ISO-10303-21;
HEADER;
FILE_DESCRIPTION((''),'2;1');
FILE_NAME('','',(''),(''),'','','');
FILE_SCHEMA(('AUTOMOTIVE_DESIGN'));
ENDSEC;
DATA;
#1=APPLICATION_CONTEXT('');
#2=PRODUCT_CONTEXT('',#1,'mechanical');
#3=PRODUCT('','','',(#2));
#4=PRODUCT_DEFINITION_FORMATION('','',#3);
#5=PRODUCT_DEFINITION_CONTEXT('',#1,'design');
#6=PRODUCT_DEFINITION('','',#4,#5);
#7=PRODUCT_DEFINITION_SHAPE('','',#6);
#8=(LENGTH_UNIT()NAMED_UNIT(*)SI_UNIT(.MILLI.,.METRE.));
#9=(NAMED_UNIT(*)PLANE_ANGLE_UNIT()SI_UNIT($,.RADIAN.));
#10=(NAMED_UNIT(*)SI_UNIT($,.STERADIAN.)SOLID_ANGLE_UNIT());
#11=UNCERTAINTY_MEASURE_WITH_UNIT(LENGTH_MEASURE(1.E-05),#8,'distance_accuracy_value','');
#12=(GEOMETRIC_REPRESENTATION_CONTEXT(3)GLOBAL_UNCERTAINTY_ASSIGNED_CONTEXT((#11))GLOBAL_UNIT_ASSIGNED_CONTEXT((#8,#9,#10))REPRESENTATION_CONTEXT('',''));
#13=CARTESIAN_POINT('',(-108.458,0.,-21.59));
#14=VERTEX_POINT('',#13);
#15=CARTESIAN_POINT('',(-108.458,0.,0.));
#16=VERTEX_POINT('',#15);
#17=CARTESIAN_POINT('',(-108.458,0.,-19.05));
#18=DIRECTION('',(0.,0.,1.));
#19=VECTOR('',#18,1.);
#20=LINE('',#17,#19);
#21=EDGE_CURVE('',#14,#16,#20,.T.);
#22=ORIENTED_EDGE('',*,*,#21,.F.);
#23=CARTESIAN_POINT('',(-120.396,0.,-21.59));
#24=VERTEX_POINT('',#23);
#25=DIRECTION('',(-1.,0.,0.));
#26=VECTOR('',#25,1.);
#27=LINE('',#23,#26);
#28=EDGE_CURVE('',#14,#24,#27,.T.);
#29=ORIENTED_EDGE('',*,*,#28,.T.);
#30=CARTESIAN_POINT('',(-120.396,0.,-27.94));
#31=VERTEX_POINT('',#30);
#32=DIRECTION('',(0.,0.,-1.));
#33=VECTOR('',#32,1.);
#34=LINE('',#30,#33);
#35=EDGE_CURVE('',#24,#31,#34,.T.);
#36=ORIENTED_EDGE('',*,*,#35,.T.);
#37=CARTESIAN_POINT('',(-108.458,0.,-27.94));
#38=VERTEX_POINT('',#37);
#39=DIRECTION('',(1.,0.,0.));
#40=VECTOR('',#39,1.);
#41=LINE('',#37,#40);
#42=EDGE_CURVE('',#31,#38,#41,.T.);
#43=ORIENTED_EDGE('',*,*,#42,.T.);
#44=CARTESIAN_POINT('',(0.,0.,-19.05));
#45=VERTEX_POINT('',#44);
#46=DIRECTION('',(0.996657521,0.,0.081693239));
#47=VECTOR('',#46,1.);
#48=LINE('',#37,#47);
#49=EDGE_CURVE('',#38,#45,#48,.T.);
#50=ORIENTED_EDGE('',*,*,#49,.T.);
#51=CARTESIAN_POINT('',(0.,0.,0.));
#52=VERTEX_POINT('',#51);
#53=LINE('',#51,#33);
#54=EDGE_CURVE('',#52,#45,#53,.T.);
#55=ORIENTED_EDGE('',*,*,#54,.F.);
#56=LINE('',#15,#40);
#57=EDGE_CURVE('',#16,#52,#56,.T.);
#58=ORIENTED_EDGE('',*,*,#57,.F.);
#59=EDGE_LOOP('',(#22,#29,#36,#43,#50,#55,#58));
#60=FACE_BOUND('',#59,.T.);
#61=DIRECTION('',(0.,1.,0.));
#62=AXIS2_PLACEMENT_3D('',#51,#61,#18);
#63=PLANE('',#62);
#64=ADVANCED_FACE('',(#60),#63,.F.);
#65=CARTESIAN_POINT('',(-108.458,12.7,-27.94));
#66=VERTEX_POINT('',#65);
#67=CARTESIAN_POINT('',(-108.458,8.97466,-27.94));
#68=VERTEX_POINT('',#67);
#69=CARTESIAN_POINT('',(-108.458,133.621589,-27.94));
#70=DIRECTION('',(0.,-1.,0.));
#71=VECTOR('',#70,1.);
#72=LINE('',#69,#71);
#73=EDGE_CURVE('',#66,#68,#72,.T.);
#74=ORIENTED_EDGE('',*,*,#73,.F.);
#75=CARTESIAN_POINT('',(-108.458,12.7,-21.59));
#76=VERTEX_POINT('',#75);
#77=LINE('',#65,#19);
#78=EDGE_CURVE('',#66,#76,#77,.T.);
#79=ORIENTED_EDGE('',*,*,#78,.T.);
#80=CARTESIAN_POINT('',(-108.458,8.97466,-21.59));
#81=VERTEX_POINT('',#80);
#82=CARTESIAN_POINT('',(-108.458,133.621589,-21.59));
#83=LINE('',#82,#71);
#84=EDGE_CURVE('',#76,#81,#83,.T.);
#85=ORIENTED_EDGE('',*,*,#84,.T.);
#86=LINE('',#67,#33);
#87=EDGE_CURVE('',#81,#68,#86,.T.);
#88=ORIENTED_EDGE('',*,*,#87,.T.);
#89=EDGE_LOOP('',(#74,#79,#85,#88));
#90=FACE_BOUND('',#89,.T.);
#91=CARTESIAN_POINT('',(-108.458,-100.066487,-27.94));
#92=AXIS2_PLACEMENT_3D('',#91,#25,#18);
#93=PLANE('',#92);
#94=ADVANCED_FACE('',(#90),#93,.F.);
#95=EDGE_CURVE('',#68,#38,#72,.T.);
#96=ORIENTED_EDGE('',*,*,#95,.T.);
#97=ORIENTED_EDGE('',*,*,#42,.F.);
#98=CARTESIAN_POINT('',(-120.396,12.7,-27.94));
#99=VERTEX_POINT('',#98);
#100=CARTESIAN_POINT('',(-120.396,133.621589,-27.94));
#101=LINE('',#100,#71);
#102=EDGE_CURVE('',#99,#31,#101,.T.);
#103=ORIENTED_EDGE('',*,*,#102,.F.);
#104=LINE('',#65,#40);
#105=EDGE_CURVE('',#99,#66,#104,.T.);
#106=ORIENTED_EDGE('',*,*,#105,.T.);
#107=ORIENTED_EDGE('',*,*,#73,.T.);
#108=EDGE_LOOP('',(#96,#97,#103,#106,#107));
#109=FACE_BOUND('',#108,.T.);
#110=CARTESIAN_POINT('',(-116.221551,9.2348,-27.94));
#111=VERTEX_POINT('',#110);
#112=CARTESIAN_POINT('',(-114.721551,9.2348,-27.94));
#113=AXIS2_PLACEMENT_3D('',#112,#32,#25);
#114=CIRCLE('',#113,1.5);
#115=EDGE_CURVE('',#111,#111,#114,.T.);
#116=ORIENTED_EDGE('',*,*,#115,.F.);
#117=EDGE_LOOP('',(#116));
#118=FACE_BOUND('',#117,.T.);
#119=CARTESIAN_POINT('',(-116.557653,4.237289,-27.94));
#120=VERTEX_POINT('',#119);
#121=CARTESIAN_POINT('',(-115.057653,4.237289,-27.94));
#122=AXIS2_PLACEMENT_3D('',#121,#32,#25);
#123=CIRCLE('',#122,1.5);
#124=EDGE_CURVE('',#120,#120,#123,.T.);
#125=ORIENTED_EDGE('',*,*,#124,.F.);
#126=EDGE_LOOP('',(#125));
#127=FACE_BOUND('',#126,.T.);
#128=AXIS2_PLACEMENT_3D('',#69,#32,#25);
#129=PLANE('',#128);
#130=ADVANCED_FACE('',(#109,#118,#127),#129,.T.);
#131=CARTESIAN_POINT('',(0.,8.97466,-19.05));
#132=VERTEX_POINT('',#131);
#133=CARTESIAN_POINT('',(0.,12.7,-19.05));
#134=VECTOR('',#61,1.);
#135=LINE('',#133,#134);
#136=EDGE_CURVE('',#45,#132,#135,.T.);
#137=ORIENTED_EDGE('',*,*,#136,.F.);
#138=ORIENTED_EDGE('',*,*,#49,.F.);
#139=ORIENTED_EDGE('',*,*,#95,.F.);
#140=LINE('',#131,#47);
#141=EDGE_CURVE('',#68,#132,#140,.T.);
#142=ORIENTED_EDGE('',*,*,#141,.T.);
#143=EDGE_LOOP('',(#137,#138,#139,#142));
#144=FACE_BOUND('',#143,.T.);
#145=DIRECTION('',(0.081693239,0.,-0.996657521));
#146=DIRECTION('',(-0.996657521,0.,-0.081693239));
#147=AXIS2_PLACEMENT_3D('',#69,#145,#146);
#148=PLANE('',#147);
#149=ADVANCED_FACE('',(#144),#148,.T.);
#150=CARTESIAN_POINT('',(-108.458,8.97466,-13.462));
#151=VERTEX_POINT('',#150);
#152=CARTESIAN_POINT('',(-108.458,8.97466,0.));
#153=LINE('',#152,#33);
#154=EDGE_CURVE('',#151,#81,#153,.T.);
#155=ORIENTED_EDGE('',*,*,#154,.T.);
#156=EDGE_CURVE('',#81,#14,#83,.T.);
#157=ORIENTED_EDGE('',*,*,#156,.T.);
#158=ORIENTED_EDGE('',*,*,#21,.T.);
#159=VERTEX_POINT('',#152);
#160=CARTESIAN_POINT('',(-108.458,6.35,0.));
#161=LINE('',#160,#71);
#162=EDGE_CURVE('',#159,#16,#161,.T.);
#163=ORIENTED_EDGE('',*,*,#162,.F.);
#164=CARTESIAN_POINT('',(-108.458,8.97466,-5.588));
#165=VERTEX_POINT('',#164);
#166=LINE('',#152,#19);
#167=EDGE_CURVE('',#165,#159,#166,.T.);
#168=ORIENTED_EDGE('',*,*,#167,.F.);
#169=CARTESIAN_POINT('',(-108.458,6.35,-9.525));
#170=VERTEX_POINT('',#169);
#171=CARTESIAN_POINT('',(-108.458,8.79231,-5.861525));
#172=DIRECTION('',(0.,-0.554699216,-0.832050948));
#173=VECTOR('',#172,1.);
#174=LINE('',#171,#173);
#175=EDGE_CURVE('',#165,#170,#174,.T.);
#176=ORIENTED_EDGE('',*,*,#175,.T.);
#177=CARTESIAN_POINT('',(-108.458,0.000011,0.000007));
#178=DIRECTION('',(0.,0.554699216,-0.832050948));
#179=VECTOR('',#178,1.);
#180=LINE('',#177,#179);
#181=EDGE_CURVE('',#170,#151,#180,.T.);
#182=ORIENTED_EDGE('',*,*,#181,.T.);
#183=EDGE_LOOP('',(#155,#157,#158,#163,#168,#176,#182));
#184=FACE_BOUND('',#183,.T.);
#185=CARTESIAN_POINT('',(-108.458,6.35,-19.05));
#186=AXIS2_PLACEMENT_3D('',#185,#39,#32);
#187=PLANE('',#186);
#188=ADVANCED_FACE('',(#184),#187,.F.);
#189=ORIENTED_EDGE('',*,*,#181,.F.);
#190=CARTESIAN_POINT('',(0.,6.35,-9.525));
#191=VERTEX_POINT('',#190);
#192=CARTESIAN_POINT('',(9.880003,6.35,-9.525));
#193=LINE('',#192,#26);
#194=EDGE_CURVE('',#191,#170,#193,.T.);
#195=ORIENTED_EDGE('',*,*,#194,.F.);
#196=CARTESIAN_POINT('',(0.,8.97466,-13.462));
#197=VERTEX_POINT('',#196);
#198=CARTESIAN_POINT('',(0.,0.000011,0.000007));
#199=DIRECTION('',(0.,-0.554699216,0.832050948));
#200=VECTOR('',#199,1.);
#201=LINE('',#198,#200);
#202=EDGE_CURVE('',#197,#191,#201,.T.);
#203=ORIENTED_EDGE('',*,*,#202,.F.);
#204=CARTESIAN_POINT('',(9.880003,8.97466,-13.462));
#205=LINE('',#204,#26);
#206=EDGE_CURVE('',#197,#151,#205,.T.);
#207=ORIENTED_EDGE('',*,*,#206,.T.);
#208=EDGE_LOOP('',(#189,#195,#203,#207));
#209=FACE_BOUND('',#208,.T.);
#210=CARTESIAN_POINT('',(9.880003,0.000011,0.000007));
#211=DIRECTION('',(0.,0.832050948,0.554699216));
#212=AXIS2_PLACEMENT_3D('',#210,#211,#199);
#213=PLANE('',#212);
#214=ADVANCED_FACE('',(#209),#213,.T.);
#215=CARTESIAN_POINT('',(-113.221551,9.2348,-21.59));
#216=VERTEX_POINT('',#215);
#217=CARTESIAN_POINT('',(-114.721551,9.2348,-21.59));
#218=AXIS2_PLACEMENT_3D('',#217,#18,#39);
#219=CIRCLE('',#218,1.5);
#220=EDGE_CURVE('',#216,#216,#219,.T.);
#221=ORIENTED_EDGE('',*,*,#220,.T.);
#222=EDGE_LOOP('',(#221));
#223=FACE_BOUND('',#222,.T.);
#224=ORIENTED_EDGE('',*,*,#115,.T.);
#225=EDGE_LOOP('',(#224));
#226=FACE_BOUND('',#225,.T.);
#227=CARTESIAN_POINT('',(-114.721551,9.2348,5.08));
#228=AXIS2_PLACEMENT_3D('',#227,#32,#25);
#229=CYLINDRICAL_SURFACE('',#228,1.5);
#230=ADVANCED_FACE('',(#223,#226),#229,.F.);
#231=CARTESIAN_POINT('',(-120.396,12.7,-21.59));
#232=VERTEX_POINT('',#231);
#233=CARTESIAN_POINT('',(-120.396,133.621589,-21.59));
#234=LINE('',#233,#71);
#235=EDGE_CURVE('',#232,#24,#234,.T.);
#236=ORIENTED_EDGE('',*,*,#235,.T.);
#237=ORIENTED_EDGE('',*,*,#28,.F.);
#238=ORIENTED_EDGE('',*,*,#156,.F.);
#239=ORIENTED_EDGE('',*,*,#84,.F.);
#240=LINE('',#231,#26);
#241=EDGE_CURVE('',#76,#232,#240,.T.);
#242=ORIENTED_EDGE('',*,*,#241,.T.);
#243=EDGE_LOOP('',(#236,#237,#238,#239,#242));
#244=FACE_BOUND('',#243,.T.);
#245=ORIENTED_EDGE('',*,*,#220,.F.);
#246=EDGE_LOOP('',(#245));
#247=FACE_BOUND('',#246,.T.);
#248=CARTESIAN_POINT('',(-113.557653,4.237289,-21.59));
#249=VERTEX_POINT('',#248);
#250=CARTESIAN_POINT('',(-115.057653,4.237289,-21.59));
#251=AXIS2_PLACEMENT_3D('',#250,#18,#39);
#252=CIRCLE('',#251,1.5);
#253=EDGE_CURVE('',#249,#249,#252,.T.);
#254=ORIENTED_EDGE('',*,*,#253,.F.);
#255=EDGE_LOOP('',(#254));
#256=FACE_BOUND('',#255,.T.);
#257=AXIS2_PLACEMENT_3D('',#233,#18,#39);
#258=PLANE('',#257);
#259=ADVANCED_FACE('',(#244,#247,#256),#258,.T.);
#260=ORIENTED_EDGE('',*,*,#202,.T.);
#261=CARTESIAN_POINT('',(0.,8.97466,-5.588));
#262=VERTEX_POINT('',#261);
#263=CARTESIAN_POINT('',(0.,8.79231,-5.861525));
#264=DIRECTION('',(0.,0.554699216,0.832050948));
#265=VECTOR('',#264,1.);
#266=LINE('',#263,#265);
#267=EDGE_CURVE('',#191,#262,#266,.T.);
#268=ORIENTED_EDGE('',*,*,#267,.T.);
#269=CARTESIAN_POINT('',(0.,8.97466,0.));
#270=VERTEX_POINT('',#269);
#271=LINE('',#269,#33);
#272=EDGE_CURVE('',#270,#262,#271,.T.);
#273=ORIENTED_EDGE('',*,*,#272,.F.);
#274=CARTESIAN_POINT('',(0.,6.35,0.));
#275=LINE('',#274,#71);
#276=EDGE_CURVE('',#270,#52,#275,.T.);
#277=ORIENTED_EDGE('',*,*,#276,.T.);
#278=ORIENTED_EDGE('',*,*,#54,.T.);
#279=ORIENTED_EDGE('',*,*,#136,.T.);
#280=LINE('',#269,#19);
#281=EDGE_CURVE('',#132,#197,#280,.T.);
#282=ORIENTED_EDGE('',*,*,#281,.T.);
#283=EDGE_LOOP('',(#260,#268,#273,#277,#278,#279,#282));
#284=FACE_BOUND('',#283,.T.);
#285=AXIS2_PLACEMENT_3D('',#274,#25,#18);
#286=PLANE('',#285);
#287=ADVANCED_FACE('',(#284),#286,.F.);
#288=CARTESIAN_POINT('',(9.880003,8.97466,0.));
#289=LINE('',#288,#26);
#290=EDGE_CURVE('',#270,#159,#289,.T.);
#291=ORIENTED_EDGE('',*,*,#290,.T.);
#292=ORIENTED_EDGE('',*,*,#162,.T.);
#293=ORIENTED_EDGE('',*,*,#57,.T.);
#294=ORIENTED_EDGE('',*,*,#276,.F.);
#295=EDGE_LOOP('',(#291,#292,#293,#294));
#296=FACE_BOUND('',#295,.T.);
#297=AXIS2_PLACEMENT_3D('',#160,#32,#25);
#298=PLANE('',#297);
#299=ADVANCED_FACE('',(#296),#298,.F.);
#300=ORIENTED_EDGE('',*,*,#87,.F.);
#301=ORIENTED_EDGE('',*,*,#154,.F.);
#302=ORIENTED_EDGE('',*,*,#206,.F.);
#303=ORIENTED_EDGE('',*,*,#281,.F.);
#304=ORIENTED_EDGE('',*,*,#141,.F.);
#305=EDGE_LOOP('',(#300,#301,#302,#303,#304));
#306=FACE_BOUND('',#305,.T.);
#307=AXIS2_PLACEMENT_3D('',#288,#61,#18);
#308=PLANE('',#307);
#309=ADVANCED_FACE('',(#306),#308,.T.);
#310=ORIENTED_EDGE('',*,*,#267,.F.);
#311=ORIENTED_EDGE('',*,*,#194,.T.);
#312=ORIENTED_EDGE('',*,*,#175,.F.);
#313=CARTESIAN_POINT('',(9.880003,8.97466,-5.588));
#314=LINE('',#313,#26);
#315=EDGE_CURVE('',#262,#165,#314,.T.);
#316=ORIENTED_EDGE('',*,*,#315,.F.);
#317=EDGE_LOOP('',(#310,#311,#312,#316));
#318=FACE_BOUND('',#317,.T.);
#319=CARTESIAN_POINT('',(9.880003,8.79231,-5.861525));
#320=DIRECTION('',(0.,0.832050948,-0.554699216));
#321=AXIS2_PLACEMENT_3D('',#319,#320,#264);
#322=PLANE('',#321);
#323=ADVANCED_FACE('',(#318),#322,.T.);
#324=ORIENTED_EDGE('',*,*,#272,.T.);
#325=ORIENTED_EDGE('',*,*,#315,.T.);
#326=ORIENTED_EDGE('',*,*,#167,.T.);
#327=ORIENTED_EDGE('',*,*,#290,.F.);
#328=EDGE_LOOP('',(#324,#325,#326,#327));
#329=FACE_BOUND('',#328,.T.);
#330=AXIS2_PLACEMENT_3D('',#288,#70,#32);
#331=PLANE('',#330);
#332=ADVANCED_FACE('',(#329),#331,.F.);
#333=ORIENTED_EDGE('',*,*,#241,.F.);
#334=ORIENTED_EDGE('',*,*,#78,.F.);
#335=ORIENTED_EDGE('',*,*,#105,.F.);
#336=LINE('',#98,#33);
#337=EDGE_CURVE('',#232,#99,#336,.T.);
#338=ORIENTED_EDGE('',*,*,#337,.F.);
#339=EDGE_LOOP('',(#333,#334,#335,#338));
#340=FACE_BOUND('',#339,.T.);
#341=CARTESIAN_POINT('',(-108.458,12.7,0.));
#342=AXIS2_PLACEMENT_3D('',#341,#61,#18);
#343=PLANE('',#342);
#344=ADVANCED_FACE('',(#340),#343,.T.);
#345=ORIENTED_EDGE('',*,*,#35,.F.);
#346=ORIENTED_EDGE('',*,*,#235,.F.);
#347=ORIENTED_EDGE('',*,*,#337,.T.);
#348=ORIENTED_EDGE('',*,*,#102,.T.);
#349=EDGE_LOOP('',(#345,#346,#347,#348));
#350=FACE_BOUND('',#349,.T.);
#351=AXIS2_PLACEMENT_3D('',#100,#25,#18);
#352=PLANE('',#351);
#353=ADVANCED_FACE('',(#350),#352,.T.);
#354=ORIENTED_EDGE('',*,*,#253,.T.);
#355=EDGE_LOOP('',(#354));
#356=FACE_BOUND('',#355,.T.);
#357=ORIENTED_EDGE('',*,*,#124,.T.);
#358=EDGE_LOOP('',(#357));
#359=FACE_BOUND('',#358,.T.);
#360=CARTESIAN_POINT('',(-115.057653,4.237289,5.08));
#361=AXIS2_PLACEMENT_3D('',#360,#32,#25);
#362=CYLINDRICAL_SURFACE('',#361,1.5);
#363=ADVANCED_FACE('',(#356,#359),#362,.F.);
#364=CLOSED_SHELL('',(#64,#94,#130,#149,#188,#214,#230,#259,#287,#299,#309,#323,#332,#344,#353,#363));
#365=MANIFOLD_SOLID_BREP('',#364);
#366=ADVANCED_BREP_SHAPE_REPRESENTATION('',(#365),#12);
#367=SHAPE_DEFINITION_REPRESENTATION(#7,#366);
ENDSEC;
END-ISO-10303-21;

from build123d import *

# Parameters (mm, degrees)
BOSS_EXTRUDE1_DEPTH = 6.35
SKETCH2_W           = 5.588
SKETCH2_H           = 2.624659965
BOSS_EXTRUDE2_DEPTH = 108.458
SKETCH3_W           = 11.938
SKETCH3_H           = 6.35
BOSS_EXTRUDE3_DEPTH = 6.35
SKETCH4_R           = 1.5
CUT_EXTRUDE1_DEPTH  = 6.35
SKETCH5_W           = 24.200861289
SKETCH5_H           = 43.914531272
CUT_EXTRUDE2_DEPTH  = 6.35
BOSS_EXTRUDE8_DEPTH = 12.7
SKETCH7_R           = 1.5
CUT_EXTRUDE3_DEPTH  = 33.02
SKETCH8_W           = 11.938
SKETCH8_H           = 6.35
CUT_EXTRUDE4_DEPTH  = 33.02
CUT_EXTRUDE5_DEPTH  = 3.72534


with BuildPart() as part:
    # Sketch1 → Boss-Extrude1 (new body)
    with BuildSketch(Plane(origin=(0, 0, 0), x_dir=(1, 0, 0), z_dir=(0, 1, 0))):
        Polygon((0, 0), (0, 12.7), (11.938, 12.7), (11.938, 19.05), (-108.458, 19.05), (-108.458, 0), align=None)
    boss_extrude1 = extrude(amount=BOSS_EXTRUDE1_DEPTH)

    # Sketch2 → Boss-Extrude2 (add)
    with BuildSketch(Plane.ZY.offset(108.458)):
        with Locations((-2.794, 7.662329983)):
            Rectangle(SKETCH2_W, SKETCH2_H)
        with Locations((-16.256, 7.662329983)):
            Rectangle(SKETCH2_W, SKETCH2_H)
        Polygon((-5.588, 8.974659965), (-9.525, 6.35), (-5.588, 6.35), align=None)
        Polygon((-13.462, 6.35), (-9.525, 6.35), (-13.462, 8.974659965), align=None)
    extrude(amount=-BOSS_EXTRUDE2_DEPTH)

    # Sketch3 → Boss-Extrude3 (add)
    with BuildSketch(Plane(origin=(0, 6.35, 0), x_dir=(1, 0, 0), z_dir=(0, 1, 0))):
        with Locations((5.969, 15.875)):
            Rectangle(SKETCH3_W, SKETCH3_H)
    boss_extrude3 = extrude(amount=BOSS_EXTRUDE3_DEPTH)

    # Sketch4 → Cut-Extrude1 (cut)
    with BuildSketch(Plane(origin=(0, 0, -19.05), x_dir=(-1, 0, 0), z_dir=(0, 0, -1))):
        with Locations((-6.599652977, 4.237288993)):
            Circle(SKETCH4_R)
        with Locations((-6.263550513, 9.234799649)):
            Circle(SKETCH4_R)
    cut_extrude1 = extrude(amount=-CUT_EXTRUDE1_DEPTH, mode=Mode.SUBTRACT)

    # Mirror1: Boss-Extrude1, Boss-Extrude3, Cut-Extrude1 across plane
    add(boss_extrude1.mirror(Plane.ZY.offset(54.229)))
    add(boss_extrude3.mirror(Plane.ZY.offset(54.229)))
    add(cut_extrude1.mirror(Plane.ZY.offset(54.229)), mode=Mode.SUBTRACT)

    # Sketch5 → Cut-Extrude2 (cut)
    with BuildSketch(Plane(origin=(0, 0, -19.05), x_dir=(-1, 0, 0), z_dir=(0, 0, -1))):
        with Locations((-12.100430645, -9.257265636)):
            Rectangle(SKETCH5_W, SKETCH5_H)
    extrude(amount=-CUT_EXTRUDE2_DEPTH, mode=Mode.SUBTRACT)

    # Sketch6 → Boss-Extrude8 (add)
    with BuildSketch(Plane.XZ):
        Polygon((-108.458, -19.05), (-108.458, -21.59), (-120.396, -21.59), (-120.396, -27.94), (-108.458, -27.94), (0, -19.05), (0, -16.677943068), (-108.458, -16.677943068), align=None)
    extrude(amount=-BOSS_EXTRUDE8_DEPTH)

    # Sketch7 → Cut-Extrude3 (cut)
    with BuildSketch(Plane(origin=(0, 0, -27.94), x_dir=(-1, 0, 0), z_dir=(0, 0, -1))):
        with Locations((114.721550513, 9.234799649)):
            Circle(SKETCH7_R)
        with Locations((115.057652977, 4.237288993)):
            Circle(SKETCH7_R)
    extrude(amount=-CUT_EXTRUDE3_DEPTH, mode=Mode.SUBTRACT)

    # Sketch8 → Cut-Extrude4 (cut)
    with BuildSketch(Plane(origin=(0, 12.7, 0), x_dir=(1, 0, 0), z_dir=(0, 1, 0))):
        with Locations((-114.427, 15.875)):
            Rectangle(SKETCH8_W, SKETCH8_H)
    extrude(amount=-CUT_EXTRUDE4_DEPTH, mode=Mode.SUBTRACT)

    # Sketch9 → Cut-Extrude5 (cut)
    with BuildSketch(Plane(origin=(0, 12.7, 0), x_dir=(1, 0, 0), z_dir=(0, 1, 0))):
        Polygon((-108.458, 27.94), (-108.458, 21.59), (-108.458, 16.677943068), (0, 16.677943068), (0, 19.05), align=None)
    extrude(amount=-CUT_EXTRUDE5_DEPTH, mode=Mode.SUBTRACT)


solid = part.part
